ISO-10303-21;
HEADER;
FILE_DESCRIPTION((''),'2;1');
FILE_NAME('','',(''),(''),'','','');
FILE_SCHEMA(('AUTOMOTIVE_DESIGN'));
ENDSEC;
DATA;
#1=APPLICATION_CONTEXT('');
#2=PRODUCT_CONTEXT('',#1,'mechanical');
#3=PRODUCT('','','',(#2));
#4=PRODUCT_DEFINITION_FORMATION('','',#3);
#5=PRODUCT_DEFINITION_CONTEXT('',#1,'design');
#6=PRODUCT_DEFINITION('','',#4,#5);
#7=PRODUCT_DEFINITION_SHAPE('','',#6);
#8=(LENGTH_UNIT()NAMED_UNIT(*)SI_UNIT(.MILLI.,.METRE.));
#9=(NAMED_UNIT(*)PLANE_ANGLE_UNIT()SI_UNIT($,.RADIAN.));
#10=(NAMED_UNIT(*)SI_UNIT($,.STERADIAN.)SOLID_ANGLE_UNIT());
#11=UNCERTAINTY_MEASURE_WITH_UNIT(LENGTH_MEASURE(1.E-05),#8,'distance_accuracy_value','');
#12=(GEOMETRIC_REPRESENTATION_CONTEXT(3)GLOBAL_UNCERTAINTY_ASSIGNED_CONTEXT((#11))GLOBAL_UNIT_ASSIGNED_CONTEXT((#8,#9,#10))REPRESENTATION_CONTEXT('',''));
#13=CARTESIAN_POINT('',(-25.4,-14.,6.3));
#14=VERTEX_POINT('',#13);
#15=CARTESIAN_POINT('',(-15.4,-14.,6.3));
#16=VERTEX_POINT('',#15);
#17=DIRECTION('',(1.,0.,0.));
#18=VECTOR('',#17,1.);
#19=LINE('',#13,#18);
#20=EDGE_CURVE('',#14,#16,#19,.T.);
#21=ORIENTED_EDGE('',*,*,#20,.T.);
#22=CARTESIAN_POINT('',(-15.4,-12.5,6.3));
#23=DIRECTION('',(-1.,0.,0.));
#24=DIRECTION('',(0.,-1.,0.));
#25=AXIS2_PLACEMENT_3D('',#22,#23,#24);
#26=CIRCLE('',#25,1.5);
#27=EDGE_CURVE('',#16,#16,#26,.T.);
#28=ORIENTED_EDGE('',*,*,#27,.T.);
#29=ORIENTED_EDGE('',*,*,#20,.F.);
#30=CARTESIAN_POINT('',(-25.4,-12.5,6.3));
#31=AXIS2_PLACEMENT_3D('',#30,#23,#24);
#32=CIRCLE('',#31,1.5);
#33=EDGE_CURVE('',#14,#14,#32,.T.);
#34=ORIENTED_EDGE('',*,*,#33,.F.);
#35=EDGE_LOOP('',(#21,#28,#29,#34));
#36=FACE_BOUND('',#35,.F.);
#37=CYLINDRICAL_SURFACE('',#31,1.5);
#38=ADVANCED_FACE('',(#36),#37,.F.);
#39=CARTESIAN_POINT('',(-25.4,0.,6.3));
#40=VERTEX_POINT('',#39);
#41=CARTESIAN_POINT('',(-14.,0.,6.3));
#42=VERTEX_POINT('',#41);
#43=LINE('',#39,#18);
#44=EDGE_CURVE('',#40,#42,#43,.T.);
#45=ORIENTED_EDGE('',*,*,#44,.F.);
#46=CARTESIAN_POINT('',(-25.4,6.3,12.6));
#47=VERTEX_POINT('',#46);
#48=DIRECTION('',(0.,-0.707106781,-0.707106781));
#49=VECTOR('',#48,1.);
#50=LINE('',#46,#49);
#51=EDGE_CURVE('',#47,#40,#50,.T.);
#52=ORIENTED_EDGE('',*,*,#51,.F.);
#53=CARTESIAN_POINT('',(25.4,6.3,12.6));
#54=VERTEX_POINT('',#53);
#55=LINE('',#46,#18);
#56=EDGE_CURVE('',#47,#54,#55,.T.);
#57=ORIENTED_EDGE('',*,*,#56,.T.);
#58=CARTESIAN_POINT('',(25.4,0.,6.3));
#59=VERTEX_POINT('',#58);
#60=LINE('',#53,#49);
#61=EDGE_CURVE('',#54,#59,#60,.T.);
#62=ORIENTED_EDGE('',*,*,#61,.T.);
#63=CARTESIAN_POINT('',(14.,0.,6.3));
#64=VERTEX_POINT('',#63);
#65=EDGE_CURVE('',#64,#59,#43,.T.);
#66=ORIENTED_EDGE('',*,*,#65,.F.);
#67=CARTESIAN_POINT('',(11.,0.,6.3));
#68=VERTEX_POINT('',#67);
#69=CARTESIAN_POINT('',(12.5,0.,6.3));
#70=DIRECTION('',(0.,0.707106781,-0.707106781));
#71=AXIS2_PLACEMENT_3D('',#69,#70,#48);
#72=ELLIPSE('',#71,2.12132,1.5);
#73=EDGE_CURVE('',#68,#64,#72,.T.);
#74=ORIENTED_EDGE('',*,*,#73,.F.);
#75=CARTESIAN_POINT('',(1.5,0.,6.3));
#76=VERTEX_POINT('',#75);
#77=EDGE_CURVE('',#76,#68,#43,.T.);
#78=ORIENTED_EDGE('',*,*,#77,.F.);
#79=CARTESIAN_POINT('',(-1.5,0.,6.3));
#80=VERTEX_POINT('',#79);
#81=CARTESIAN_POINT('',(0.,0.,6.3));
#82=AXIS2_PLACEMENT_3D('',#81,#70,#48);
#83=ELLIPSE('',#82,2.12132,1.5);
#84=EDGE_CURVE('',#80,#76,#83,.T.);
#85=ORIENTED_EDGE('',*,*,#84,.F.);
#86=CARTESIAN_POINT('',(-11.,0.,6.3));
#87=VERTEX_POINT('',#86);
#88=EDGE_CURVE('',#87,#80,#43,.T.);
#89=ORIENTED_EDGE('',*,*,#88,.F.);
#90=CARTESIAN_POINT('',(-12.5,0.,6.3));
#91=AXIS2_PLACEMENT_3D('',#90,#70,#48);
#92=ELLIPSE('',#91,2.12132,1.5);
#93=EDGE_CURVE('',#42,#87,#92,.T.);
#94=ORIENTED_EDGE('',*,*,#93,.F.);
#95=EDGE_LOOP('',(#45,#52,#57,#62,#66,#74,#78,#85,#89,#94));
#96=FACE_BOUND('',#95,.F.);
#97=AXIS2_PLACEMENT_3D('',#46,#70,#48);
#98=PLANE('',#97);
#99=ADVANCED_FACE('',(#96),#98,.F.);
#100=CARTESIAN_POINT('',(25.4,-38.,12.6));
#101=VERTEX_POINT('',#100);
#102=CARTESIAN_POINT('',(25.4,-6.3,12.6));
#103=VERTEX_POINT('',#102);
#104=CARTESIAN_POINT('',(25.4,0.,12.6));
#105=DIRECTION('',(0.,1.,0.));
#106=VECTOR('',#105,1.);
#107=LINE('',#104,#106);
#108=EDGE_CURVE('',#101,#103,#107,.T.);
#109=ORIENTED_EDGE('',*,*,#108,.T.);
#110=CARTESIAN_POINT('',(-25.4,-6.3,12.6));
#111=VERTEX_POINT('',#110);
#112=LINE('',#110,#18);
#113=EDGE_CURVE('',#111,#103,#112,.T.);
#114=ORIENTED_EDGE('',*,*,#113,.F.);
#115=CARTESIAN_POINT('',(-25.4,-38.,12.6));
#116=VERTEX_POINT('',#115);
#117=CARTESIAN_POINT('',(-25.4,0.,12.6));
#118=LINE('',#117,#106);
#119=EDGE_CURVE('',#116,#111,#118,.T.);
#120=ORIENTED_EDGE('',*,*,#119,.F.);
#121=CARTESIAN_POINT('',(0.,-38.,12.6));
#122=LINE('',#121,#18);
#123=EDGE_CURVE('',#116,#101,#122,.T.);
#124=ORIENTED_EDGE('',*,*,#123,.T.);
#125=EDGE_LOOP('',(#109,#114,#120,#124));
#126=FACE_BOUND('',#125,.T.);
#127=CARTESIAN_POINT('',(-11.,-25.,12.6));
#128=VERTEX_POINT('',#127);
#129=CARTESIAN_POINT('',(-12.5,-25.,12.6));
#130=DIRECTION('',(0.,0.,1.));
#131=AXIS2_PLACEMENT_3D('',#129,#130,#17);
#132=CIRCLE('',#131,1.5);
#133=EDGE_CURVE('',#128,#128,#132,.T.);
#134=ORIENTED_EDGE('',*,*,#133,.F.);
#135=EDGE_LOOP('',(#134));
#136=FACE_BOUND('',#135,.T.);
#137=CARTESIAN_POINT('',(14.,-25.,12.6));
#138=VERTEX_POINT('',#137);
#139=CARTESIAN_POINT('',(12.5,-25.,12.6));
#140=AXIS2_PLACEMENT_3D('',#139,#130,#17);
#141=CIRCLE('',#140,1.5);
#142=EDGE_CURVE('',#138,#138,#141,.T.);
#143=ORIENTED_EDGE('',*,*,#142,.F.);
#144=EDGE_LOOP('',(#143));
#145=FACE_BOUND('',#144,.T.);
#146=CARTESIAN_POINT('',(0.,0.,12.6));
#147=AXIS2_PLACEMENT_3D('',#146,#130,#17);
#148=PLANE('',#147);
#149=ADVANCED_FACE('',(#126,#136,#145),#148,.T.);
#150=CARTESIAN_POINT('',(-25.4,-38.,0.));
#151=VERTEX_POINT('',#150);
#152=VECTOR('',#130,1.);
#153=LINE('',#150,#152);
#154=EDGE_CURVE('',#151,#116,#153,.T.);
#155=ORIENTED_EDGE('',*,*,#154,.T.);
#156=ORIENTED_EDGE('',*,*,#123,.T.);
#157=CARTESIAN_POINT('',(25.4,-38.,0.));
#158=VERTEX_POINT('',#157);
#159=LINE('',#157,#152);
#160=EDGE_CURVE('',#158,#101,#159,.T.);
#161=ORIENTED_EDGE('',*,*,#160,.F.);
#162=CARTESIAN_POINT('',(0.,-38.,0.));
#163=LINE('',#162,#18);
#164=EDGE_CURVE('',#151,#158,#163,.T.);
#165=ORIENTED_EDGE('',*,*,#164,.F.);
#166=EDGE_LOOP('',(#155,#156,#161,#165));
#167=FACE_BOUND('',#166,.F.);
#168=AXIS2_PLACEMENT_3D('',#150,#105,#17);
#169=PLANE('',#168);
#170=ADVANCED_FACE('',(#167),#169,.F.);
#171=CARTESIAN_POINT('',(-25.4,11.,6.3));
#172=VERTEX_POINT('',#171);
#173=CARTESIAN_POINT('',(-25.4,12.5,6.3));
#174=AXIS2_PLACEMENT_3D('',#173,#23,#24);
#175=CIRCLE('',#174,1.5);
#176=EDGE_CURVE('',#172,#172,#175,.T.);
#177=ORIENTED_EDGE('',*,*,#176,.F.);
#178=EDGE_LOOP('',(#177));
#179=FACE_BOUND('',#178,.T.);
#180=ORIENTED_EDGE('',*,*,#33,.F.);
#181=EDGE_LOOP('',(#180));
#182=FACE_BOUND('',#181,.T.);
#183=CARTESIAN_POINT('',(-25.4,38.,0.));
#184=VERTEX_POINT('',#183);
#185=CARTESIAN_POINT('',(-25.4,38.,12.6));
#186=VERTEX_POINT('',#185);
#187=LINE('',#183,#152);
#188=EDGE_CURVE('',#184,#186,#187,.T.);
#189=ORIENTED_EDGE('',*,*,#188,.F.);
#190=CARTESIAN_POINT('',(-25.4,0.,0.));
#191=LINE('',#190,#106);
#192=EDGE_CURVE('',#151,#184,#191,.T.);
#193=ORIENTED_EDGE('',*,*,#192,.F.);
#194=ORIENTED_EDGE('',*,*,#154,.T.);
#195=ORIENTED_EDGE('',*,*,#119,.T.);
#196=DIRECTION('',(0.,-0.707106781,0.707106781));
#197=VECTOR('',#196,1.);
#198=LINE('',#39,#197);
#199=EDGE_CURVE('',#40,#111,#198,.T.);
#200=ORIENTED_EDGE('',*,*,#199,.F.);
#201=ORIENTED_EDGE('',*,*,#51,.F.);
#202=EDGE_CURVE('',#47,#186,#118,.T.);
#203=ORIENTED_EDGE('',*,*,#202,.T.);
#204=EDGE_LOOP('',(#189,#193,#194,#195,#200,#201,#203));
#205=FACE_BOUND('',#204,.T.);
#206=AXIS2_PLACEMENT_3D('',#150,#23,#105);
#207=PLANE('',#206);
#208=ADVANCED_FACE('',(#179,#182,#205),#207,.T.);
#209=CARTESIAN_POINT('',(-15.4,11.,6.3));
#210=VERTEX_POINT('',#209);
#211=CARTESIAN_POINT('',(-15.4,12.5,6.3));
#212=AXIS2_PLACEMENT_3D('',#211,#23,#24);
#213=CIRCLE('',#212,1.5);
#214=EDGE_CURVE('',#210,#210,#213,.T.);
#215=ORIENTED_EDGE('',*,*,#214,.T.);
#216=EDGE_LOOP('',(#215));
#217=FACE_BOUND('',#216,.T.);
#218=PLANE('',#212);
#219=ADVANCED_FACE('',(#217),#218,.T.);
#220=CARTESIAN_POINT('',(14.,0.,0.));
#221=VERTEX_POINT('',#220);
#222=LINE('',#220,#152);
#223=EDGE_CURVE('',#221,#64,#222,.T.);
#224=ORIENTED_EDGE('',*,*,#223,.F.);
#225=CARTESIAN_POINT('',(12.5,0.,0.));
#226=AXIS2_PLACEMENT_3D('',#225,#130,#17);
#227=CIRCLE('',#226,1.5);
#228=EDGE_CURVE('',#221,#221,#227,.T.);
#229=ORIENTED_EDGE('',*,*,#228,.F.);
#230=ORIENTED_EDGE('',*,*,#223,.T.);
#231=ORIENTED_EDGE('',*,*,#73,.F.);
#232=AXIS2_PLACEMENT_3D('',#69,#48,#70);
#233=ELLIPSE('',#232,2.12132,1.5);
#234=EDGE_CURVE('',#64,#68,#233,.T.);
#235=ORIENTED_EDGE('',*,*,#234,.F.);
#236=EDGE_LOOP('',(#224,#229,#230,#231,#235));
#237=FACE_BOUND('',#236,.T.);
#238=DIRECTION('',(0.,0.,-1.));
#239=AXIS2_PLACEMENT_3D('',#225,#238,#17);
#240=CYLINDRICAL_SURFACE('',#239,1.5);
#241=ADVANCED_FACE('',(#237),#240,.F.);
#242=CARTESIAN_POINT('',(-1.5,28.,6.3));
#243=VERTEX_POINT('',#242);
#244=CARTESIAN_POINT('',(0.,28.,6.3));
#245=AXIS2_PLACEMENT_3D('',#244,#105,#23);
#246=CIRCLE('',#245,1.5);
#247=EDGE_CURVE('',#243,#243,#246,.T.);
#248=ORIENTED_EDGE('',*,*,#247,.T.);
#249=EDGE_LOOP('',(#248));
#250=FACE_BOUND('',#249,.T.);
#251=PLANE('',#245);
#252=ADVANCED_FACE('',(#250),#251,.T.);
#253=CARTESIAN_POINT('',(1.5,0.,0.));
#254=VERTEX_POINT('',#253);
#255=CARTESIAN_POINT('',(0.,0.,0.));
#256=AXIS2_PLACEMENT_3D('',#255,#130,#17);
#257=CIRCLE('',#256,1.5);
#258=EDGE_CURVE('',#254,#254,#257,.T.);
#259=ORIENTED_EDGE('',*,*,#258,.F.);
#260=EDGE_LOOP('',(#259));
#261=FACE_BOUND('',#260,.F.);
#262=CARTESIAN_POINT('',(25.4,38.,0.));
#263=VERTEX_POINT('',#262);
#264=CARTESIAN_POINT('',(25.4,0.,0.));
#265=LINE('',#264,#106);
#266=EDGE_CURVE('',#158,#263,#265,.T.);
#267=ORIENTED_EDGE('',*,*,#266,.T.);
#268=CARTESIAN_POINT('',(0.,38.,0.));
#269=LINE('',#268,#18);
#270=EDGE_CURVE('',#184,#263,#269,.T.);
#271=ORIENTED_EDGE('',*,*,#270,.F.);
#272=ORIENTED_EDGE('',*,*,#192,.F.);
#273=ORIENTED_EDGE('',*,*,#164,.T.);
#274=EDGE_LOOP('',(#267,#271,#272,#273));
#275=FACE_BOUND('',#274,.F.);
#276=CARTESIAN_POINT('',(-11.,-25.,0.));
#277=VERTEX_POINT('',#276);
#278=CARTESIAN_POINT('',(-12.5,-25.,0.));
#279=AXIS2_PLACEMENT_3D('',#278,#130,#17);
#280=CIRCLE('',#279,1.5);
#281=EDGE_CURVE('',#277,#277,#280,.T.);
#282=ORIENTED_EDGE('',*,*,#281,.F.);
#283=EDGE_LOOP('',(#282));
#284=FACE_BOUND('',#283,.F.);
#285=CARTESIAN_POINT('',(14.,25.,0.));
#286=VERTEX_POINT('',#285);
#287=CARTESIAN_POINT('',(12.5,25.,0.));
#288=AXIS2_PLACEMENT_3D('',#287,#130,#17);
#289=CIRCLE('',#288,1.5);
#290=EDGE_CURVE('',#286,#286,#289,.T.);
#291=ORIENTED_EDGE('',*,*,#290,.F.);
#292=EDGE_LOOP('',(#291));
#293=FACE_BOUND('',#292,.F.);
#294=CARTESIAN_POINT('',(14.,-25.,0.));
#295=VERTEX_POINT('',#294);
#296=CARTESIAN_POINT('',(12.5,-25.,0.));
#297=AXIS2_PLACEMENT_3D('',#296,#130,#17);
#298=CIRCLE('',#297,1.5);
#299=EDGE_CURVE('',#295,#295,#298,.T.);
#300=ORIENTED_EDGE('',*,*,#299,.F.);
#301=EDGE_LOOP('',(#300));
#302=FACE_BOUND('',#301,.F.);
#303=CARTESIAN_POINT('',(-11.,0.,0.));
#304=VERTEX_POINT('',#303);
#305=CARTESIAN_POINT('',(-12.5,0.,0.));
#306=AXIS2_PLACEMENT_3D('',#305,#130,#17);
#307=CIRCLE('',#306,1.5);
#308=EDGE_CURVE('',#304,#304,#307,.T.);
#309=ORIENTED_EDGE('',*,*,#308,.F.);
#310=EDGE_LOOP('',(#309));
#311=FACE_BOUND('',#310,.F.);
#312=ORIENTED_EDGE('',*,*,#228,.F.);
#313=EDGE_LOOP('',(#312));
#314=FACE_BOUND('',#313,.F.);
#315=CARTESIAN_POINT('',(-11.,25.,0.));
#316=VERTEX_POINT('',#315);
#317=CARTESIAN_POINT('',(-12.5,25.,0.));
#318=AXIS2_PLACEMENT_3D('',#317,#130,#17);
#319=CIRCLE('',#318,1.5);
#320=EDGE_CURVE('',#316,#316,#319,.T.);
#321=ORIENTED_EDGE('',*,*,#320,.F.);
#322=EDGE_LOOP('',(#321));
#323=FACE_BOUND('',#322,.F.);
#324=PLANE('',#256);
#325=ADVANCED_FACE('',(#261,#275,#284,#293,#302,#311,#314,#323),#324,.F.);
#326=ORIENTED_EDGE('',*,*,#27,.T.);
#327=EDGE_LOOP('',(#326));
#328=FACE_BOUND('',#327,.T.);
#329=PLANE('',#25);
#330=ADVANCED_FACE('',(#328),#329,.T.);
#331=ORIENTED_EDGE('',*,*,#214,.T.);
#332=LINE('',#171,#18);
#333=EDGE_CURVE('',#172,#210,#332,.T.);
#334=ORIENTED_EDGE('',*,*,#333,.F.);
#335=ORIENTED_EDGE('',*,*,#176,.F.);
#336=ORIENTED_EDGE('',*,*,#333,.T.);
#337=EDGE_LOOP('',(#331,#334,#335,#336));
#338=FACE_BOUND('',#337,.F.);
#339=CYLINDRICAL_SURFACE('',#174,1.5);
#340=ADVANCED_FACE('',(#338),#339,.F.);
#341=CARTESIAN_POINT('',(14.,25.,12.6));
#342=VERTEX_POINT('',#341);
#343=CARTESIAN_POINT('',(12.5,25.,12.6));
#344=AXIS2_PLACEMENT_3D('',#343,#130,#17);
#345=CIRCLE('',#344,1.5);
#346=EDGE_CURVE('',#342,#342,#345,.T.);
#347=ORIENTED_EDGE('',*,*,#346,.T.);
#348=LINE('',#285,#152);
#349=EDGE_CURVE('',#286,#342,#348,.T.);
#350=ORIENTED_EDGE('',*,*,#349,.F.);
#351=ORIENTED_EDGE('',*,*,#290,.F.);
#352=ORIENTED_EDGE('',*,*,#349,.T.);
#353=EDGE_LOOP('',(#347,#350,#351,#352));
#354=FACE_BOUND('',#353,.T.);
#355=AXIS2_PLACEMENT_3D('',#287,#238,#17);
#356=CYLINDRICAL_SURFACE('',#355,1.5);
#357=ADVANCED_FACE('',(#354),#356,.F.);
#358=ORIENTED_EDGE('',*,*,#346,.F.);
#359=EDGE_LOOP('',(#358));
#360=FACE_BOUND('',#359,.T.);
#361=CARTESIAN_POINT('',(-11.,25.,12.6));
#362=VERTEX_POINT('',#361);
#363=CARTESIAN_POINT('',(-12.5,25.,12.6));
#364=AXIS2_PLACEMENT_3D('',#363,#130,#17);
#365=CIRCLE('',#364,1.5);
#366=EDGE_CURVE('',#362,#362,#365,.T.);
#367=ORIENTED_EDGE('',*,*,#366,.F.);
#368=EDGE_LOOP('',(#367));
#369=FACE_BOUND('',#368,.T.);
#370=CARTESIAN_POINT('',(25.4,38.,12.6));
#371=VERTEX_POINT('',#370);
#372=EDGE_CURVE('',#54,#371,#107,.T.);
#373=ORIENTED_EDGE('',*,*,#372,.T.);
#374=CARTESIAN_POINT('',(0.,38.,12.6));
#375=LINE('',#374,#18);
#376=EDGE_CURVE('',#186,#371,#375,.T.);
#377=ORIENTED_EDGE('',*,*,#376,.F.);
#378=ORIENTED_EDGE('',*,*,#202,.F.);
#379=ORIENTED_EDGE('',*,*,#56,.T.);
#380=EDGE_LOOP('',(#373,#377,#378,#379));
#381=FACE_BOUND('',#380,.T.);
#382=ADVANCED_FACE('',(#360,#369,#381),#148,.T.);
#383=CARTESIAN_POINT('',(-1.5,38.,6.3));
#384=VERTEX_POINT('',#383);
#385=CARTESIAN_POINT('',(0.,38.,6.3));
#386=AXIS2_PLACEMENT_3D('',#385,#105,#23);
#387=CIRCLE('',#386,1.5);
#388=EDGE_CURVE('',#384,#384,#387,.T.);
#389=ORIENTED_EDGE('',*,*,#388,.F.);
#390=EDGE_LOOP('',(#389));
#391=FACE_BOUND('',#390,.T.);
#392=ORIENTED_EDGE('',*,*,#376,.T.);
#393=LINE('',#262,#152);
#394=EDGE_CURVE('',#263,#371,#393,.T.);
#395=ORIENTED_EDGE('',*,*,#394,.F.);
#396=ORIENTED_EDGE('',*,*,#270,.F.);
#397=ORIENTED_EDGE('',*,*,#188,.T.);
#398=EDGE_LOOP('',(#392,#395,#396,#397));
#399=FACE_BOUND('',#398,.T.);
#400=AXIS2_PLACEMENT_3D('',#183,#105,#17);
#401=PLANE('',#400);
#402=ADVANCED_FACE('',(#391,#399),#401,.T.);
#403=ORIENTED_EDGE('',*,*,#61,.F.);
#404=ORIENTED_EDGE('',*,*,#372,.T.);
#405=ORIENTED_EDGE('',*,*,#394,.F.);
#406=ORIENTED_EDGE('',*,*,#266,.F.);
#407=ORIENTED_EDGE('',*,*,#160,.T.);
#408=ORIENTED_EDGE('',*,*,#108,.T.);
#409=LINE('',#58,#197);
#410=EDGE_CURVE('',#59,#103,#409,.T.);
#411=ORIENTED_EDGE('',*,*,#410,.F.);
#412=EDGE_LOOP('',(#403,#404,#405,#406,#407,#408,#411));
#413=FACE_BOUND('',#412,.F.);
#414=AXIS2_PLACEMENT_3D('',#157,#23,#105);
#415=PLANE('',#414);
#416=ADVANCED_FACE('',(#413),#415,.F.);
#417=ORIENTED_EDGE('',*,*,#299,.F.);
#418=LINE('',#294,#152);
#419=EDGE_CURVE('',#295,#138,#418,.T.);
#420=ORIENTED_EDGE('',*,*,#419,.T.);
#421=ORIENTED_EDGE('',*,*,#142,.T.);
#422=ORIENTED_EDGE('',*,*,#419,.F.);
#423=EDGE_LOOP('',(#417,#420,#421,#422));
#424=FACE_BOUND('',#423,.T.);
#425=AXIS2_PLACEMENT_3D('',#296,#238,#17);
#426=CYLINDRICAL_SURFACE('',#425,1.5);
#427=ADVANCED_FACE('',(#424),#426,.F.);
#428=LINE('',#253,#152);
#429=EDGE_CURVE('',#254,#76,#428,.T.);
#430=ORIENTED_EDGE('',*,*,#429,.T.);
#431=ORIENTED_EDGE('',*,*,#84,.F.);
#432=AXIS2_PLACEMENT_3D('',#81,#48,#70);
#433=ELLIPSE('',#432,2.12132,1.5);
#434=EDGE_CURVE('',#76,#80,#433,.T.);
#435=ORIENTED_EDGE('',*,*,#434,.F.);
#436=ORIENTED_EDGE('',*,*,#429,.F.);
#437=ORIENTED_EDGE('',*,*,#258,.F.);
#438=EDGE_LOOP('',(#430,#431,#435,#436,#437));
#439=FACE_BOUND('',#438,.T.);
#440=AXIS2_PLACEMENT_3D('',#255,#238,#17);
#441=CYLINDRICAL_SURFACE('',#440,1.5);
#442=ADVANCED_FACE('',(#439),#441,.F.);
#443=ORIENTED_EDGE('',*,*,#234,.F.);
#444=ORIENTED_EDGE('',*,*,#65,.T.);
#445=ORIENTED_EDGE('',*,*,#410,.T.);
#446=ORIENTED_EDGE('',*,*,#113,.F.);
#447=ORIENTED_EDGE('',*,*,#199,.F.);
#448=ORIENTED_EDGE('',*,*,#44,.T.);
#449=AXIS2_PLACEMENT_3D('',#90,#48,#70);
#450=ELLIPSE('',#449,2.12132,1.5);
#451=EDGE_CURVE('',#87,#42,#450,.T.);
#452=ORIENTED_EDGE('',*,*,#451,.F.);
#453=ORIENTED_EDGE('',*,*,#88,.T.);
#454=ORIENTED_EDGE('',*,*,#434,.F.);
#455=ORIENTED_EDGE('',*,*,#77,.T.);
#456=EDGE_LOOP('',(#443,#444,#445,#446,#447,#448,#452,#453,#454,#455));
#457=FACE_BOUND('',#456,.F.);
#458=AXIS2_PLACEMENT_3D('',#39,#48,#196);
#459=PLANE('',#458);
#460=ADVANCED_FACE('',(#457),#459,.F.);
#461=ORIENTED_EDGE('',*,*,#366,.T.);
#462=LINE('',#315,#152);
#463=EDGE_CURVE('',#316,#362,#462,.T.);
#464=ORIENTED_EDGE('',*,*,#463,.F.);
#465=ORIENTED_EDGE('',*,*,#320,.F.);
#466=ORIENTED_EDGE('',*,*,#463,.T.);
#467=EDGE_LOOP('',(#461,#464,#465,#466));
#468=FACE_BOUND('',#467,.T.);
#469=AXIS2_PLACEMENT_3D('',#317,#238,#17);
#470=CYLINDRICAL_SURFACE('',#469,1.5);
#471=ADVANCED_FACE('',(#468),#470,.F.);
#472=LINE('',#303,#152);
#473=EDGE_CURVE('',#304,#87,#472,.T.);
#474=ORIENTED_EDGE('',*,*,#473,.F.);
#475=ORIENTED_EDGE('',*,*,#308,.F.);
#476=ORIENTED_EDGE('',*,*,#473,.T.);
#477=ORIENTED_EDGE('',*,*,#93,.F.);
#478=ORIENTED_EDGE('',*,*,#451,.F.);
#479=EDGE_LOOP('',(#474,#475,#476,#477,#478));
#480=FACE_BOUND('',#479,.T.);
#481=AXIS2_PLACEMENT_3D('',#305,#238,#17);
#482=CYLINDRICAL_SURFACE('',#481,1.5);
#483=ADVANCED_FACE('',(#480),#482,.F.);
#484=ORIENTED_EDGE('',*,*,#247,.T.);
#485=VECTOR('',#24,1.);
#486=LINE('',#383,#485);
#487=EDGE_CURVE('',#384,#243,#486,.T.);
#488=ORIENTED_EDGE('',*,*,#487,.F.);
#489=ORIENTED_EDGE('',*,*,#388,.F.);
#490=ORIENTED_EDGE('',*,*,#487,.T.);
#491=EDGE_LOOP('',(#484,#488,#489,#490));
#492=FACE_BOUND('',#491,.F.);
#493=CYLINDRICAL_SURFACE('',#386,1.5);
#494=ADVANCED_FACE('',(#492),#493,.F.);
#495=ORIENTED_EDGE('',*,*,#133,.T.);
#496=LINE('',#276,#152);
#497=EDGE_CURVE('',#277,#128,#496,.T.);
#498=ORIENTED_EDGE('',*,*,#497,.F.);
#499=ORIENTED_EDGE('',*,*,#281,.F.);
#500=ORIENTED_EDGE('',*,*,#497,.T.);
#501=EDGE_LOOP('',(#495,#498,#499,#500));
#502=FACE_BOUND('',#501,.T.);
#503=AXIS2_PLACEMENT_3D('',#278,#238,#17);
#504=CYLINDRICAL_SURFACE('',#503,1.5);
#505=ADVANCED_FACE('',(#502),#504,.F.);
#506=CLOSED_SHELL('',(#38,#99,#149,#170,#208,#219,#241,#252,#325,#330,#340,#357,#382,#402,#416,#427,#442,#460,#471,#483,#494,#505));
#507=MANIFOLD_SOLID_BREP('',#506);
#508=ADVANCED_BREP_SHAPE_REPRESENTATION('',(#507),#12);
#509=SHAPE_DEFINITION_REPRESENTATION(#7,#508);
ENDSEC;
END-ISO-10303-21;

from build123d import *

# Parameters (mm, degrees)
F0_W     = 50.8
F0_H     = 76
F0_R     = 1.5
F1_DEPTH = 12.6
F2_R     = 1.5
F3_DEPTH = 10
F4_DEPTH = 50.8
F5_DEPTH = 12
F6_R     = 1.5
F7_DEPTH = 10


with BuildPart() as f1:
    # F0 (on Top) → F1 (new body)
    with BuildSketch(Plane.XY):
        Rectangle(F0_W, F0_H)
        with Locations((-12.5, -25)):
            Circle(F0_R, mode=Mode.SUBTRACT)
        with Locations((12.5, -25)):
            Circle(F0_R, mode=Mode.SUBTRACT)
        with Locations((-12.5, 0)):
            Circle(F0_R, mode=Mode.SUBTRACT)
        Circle(F0_R, mode=Mode.SUBTRACT)
        with Locations((-12.5, 25)):
            Circle(F0_R, mode=Mode.SUBTRACT)
        with Locations((12.5, 0)):
            Circle(F0_R, mode=Mode.SUBTRACT)
        with Locations((12.5, 25)):
            Circle(F0_R, mode=Mode.SUBTRACT)
    extrude(amount=F1_DEPTH)

    # F2 (on face) → F3 (cut)
    with BuildSketch(Plane(origin=(-25.4, 0, 0), x_dir=(0, -1, 0), z_dir=(-1, 0, 0))):
        with Locations((-12.5, 6.3)):
            Circle(F2_R)
        with Locations((12.5, 6.3)):
            Circle(F2_R)
    extrude(amount=-F3_DEPTH, mode=Mode.SUBTRACT)

    # F2 (on face) → F4 (cut)
    with BuildSketch(Plane(origin=(-25.4, 0, 0), x_dir=(0, -1, 0), z_dir=(-1, 0, 0))):
        Polygon((6.3, 12.6), (0, 12.6), (-6.3, 12.6), (0, 6.3), align=None)
    extrude(amount=-F4_DEPTH, mode=Mode.SUBTRACT)

    # F0 (on Top) → F5 (cut)
    with BuildSketch(Plane.XY):
        with Locations((12.5, 0)):
            Circle(F0_R)
        Circle(F0_R)
        with Locations((-12.5, 0)):
            Circle(F0_R)
    extrude(amount=F5_DEPTH, mode=Mode.SUBTRACT)

    # F6 (on face) → F7 (cut)
    with BuildSketch(Plane(origin=(0, 38, 0), x_dir=(-1, 0, 0), z_dir=(0, 1, 0))):
        with Locations((0, 6.3)):
            Circle(F6_R)
    extrude(amount=-F7_DEPTH, mode=Mode.SUBTRACT)


solid = f1.part
